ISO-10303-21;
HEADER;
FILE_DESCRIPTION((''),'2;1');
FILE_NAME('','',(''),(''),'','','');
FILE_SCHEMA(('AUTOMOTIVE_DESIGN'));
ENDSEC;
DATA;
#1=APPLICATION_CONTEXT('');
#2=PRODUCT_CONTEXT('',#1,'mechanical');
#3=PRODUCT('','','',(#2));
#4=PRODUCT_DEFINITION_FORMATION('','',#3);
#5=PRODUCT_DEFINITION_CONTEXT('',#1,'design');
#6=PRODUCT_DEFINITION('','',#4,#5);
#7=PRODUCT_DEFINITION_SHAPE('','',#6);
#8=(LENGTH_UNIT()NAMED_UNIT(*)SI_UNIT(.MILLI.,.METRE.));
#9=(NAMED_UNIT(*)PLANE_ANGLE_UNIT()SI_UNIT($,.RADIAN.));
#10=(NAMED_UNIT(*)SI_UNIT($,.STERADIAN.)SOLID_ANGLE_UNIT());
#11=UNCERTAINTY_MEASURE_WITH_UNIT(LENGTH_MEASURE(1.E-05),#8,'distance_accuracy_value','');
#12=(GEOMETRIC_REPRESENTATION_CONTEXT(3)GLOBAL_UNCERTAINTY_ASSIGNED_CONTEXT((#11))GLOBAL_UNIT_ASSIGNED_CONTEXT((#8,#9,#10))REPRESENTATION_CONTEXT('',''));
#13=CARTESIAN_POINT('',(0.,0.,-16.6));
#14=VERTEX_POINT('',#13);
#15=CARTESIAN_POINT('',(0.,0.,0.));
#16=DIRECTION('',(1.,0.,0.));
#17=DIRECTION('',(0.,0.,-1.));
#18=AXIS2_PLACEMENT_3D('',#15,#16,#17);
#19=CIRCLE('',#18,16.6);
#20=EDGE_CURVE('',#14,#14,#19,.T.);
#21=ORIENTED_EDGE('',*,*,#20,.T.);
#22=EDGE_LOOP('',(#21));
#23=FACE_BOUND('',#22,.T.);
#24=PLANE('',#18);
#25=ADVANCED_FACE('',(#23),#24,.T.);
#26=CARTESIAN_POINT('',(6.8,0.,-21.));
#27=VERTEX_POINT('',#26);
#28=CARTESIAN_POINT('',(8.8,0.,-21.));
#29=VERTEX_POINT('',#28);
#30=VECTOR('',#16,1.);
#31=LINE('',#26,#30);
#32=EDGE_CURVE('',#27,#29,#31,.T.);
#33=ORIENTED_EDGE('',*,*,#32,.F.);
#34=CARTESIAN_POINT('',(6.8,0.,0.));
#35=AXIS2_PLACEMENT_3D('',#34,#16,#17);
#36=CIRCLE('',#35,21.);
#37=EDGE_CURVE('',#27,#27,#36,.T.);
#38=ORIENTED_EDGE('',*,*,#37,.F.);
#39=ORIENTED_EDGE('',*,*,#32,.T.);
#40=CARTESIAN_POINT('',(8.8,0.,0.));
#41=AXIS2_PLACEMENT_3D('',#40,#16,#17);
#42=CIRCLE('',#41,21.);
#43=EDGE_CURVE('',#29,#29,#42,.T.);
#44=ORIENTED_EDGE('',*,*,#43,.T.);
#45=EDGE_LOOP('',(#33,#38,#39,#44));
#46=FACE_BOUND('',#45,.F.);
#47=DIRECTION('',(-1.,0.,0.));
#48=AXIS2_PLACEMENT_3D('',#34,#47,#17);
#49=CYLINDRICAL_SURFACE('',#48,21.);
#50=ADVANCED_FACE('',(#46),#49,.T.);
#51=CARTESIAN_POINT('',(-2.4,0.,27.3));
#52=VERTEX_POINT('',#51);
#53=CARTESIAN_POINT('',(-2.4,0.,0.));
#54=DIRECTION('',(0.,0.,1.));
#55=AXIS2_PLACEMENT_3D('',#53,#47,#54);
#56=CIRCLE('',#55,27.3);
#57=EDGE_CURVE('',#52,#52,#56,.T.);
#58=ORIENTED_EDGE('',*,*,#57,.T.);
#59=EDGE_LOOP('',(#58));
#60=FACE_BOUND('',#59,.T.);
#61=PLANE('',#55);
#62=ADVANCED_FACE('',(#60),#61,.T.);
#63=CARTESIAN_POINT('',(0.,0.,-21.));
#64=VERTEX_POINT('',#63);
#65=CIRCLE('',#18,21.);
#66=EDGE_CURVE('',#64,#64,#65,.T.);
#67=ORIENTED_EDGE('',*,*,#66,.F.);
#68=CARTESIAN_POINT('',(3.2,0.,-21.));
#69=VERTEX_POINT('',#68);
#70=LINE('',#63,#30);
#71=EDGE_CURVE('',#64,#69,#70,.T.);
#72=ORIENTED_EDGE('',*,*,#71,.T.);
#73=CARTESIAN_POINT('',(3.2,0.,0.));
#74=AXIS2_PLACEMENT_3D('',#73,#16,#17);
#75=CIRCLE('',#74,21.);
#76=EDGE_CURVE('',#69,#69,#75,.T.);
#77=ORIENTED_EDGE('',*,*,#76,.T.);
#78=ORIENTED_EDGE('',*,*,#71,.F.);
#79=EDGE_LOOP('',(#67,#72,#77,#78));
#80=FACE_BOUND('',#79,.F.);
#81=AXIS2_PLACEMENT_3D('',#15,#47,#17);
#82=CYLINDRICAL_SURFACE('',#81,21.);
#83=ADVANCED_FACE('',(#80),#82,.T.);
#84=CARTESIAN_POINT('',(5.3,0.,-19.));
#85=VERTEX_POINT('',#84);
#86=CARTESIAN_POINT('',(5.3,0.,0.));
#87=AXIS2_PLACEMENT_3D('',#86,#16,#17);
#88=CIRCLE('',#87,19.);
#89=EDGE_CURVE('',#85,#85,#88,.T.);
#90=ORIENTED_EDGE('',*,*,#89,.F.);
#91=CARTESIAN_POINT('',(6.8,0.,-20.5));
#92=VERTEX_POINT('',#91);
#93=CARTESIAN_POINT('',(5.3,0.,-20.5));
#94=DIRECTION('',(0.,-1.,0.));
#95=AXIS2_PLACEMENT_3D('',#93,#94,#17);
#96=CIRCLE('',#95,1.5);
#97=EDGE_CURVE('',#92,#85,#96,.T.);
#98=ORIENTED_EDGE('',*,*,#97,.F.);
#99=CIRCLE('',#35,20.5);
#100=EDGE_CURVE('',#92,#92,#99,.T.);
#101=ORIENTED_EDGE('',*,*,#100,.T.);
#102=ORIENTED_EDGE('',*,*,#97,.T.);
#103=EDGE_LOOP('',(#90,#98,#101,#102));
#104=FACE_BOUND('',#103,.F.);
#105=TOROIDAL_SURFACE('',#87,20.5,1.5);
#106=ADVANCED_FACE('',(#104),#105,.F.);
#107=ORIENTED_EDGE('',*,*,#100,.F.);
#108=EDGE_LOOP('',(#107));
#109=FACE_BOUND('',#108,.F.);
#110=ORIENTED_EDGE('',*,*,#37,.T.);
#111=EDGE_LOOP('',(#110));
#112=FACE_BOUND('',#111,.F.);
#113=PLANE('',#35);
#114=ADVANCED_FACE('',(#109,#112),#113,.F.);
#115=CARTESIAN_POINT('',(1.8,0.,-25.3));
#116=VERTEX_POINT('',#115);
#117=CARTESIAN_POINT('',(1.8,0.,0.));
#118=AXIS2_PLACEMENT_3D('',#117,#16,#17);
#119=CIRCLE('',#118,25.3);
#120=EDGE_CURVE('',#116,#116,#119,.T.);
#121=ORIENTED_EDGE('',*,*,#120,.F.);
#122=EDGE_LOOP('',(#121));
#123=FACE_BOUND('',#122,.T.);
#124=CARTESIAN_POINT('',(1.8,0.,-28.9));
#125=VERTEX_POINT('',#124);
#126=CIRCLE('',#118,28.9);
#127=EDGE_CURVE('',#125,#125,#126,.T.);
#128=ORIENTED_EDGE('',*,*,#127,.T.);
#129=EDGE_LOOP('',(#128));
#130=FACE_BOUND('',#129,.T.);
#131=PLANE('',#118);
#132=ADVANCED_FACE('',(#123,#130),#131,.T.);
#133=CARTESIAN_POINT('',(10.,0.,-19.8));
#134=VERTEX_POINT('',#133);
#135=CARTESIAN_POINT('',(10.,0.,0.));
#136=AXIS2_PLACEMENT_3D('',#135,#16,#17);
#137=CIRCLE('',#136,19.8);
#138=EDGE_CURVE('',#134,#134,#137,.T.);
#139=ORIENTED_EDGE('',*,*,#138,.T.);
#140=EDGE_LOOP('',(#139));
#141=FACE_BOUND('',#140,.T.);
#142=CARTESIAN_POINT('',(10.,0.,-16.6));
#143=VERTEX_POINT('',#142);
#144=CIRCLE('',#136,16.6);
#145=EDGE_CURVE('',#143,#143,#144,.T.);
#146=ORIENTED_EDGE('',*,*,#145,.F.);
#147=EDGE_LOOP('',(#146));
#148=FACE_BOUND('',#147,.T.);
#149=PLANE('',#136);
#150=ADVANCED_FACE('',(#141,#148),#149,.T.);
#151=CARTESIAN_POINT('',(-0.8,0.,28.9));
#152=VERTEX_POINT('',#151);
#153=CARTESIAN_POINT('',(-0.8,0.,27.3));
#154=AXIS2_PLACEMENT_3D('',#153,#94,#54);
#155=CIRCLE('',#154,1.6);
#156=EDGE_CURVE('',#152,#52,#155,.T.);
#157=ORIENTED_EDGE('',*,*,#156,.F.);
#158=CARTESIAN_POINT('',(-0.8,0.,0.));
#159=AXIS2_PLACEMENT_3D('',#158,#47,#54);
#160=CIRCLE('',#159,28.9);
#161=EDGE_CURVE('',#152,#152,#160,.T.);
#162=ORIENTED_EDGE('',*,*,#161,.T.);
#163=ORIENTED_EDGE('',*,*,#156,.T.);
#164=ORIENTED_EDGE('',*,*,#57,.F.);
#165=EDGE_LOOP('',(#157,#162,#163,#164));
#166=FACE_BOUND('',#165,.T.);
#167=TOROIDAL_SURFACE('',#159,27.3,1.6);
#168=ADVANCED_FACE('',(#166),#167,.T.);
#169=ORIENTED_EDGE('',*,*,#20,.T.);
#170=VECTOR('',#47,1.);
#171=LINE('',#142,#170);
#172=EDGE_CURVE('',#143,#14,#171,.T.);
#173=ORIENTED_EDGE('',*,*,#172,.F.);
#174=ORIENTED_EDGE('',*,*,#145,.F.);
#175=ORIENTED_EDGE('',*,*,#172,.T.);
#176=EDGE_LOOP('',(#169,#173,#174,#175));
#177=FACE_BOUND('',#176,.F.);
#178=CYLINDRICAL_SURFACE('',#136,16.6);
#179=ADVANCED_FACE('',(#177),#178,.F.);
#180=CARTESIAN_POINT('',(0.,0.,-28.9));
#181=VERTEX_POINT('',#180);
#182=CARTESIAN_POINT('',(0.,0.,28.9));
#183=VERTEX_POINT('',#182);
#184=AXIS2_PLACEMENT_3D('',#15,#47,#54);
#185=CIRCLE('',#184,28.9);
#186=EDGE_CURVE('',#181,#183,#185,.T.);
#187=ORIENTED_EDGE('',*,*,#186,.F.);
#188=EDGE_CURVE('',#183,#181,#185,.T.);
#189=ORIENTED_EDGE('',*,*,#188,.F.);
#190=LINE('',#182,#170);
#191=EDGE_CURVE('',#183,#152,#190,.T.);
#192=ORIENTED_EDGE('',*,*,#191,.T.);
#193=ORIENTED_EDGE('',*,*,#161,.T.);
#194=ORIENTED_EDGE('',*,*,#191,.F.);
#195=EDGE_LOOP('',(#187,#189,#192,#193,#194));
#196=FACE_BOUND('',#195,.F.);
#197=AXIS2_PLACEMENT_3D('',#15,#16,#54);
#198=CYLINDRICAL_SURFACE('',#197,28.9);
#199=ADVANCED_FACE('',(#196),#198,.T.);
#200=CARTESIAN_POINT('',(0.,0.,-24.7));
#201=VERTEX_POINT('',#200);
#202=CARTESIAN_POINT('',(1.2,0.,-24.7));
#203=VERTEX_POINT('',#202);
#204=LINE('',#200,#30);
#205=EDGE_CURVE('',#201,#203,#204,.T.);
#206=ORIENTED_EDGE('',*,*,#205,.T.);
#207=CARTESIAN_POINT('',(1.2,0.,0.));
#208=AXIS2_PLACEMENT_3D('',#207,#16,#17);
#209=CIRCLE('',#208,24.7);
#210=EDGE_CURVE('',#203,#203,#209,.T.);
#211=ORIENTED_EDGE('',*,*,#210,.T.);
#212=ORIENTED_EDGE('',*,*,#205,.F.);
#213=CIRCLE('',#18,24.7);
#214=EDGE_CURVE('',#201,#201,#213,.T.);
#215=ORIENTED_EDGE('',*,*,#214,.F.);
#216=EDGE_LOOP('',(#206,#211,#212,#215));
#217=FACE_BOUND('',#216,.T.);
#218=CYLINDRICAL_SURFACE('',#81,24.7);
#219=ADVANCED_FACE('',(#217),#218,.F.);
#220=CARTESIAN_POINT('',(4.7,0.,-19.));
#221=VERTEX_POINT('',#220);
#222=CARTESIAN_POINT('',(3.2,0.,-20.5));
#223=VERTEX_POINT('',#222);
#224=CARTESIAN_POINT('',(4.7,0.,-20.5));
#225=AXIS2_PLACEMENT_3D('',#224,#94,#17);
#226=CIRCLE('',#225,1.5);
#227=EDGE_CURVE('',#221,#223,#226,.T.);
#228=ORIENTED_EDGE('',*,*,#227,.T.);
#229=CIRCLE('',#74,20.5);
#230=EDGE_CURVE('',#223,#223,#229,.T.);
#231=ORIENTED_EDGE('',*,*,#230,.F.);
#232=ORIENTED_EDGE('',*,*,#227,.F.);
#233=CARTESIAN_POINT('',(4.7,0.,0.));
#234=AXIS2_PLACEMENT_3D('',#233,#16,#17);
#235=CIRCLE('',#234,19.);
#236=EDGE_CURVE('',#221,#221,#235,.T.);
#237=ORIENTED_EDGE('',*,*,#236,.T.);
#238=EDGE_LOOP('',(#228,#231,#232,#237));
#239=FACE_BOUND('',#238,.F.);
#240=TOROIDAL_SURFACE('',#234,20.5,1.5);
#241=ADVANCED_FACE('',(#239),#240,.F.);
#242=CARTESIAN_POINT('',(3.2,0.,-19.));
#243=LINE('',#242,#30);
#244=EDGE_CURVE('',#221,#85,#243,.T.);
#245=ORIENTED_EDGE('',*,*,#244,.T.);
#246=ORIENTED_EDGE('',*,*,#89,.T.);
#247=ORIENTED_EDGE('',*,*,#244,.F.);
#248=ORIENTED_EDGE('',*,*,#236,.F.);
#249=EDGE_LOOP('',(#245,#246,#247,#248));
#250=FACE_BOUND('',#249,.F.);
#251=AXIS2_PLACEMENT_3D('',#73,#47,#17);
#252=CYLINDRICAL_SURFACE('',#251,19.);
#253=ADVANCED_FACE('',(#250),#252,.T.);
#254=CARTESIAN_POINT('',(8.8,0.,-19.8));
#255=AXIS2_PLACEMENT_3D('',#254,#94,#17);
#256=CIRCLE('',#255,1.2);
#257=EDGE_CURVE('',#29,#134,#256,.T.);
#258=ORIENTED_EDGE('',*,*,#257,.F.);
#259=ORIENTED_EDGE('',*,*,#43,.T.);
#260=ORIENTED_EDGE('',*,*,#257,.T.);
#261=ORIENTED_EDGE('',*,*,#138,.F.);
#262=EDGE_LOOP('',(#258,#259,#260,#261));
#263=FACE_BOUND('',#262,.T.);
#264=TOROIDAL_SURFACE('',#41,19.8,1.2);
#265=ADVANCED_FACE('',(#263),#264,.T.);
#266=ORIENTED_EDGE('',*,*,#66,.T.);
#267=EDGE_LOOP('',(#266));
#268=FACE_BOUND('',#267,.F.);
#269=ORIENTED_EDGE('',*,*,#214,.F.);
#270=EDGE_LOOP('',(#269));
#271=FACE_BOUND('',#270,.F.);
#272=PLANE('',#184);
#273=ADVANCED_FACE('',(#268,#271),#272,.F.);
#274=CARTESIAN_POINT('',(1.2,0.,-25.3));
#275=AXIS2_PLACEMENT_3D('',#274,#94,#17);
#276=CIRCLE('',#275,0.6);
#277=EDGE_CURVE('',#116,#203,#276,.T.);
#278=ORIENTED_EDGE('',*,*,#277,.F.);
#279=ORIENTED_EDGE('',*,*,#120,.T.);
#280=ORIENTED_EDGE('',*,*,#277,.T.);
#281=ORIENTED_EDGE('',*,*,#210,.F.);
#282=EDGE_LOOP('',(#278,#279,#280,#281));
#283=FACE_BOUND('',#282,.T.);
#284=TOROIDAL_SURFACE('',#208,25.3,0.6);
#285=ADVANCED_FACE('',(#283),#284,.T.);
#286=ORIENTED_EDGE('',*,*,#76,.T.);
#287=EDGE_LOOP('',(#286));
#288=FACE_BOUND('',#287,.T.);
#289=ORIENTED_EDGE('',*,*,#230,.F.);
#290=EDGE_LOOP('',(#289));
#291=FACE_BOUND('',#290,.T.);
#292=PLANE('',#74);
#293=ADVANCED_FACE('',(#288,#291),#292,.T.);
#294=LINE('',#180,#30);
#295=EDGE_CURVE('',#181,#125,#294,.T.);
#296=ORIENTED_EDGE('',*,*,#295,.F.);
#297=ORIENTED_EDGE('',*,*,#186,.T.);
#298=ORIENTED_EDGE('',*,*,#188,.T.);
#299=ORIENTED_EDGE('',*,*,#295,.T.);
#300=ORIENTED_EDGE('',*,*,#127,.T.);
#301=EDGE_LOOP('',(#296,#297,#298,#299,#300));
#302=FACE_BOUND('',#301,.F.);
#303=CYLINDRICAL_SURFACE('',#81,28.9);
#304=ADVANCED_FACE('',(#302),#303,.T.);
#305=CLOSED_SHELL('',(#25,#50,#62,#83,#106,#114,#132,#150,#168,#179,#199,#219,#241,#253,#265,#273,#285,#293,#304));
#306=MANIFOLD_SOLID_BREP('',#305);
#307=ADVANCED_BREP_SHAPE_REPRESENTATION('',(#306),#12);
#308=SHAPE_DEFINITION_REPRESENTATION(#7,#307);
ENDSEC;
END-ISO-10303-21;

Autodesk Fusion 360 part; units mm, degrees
sketch "Sketch1" plane through (0, 0, 0) normal (1, 0, 0) x (0, 0, -1)
  circle A0 centre (0, 0) radius 21
  dimension "d1" = 42
extrude "Extrude1" add sketch "Sketch1" along normal blind 3.2
sketch "Sketch2" plane through (3.2, 0, 0) normal (1, 0, 0) x (0, 0, -1)
  circle A0 centre (0, 0) radius 21
  circle A1 centre (0, 0) radius 19
  dimension "d4" = 38
extrude "Extrude2" add sketch "Sketch2" along normal blind 3.6 contours A1
sketch "Sketch3" plane through (6.8, 0, 0) normal (1, 0, 0) x (0, 0, -1)
  circle A0 centre (0, 0) radius 19
  circle A1 centre (0, 0) radius 21
  dimension "d7" = 42
extrude "Extrude3" add sketch "Sketch3" along normal blind 3.2 contours A0 | A1
fillet "Fillet1" radius 1.5 2 edges at (3.2, 6.8707, 17.7142) (6.8, -6.8707, 17.7142)
sketch "Sketch4" plane through (0, 0, 0) normal (-1, 0, 0) x (0, 0, 1)
  circle A0 centre (0, 0) radius 21
  circle A1 centre (0, 0) radius 28.9
  dimension "d11" = 57.8
extrude "Extrude4" add sketch "Sketch4" along normal blind 2.4 contours A0 | A1
sketch "Sketch5" plane through (0, 0, 0) normal (1, 0, 0) x (0, 0, -1)
  circle A0 centre (0, 0) radius 28.9
  circle A1 centre (0, 0) radius 21
  circle A2 centre (0, 0) radius 24.7
  dimension "d14" = 49.4
extrude "Extrude5" add sketch "Sketch5" along normal blind 1.8 contours A0
sketch "Sketch6" plane through (10, 0, 0) normal (1, 0, 0) x (0, 0, -1)
  circle A0 centre (0, 0) radius 21
  circle A1 centre (0, 0) radius 19
  circle A2 centre (0, 0) radius 16.6
  dimension "d17" = -2.4
extrude "Extrude6" cut sketch "Sketch6" against normal blind 10 contours A2
fillet "Fillet2" radius 1.2 1 edges at (10, -7.5939, 19.5789)
fillet "Fillet3" radius 1.6 1 edges at (-2.4, -10.4507, -26.9443)
fillet "Fillet4" radius 0.6 1 edges at (1.8, 8.9319, 23.0285)
equation "d4 = 41 mm - 3 mm"
